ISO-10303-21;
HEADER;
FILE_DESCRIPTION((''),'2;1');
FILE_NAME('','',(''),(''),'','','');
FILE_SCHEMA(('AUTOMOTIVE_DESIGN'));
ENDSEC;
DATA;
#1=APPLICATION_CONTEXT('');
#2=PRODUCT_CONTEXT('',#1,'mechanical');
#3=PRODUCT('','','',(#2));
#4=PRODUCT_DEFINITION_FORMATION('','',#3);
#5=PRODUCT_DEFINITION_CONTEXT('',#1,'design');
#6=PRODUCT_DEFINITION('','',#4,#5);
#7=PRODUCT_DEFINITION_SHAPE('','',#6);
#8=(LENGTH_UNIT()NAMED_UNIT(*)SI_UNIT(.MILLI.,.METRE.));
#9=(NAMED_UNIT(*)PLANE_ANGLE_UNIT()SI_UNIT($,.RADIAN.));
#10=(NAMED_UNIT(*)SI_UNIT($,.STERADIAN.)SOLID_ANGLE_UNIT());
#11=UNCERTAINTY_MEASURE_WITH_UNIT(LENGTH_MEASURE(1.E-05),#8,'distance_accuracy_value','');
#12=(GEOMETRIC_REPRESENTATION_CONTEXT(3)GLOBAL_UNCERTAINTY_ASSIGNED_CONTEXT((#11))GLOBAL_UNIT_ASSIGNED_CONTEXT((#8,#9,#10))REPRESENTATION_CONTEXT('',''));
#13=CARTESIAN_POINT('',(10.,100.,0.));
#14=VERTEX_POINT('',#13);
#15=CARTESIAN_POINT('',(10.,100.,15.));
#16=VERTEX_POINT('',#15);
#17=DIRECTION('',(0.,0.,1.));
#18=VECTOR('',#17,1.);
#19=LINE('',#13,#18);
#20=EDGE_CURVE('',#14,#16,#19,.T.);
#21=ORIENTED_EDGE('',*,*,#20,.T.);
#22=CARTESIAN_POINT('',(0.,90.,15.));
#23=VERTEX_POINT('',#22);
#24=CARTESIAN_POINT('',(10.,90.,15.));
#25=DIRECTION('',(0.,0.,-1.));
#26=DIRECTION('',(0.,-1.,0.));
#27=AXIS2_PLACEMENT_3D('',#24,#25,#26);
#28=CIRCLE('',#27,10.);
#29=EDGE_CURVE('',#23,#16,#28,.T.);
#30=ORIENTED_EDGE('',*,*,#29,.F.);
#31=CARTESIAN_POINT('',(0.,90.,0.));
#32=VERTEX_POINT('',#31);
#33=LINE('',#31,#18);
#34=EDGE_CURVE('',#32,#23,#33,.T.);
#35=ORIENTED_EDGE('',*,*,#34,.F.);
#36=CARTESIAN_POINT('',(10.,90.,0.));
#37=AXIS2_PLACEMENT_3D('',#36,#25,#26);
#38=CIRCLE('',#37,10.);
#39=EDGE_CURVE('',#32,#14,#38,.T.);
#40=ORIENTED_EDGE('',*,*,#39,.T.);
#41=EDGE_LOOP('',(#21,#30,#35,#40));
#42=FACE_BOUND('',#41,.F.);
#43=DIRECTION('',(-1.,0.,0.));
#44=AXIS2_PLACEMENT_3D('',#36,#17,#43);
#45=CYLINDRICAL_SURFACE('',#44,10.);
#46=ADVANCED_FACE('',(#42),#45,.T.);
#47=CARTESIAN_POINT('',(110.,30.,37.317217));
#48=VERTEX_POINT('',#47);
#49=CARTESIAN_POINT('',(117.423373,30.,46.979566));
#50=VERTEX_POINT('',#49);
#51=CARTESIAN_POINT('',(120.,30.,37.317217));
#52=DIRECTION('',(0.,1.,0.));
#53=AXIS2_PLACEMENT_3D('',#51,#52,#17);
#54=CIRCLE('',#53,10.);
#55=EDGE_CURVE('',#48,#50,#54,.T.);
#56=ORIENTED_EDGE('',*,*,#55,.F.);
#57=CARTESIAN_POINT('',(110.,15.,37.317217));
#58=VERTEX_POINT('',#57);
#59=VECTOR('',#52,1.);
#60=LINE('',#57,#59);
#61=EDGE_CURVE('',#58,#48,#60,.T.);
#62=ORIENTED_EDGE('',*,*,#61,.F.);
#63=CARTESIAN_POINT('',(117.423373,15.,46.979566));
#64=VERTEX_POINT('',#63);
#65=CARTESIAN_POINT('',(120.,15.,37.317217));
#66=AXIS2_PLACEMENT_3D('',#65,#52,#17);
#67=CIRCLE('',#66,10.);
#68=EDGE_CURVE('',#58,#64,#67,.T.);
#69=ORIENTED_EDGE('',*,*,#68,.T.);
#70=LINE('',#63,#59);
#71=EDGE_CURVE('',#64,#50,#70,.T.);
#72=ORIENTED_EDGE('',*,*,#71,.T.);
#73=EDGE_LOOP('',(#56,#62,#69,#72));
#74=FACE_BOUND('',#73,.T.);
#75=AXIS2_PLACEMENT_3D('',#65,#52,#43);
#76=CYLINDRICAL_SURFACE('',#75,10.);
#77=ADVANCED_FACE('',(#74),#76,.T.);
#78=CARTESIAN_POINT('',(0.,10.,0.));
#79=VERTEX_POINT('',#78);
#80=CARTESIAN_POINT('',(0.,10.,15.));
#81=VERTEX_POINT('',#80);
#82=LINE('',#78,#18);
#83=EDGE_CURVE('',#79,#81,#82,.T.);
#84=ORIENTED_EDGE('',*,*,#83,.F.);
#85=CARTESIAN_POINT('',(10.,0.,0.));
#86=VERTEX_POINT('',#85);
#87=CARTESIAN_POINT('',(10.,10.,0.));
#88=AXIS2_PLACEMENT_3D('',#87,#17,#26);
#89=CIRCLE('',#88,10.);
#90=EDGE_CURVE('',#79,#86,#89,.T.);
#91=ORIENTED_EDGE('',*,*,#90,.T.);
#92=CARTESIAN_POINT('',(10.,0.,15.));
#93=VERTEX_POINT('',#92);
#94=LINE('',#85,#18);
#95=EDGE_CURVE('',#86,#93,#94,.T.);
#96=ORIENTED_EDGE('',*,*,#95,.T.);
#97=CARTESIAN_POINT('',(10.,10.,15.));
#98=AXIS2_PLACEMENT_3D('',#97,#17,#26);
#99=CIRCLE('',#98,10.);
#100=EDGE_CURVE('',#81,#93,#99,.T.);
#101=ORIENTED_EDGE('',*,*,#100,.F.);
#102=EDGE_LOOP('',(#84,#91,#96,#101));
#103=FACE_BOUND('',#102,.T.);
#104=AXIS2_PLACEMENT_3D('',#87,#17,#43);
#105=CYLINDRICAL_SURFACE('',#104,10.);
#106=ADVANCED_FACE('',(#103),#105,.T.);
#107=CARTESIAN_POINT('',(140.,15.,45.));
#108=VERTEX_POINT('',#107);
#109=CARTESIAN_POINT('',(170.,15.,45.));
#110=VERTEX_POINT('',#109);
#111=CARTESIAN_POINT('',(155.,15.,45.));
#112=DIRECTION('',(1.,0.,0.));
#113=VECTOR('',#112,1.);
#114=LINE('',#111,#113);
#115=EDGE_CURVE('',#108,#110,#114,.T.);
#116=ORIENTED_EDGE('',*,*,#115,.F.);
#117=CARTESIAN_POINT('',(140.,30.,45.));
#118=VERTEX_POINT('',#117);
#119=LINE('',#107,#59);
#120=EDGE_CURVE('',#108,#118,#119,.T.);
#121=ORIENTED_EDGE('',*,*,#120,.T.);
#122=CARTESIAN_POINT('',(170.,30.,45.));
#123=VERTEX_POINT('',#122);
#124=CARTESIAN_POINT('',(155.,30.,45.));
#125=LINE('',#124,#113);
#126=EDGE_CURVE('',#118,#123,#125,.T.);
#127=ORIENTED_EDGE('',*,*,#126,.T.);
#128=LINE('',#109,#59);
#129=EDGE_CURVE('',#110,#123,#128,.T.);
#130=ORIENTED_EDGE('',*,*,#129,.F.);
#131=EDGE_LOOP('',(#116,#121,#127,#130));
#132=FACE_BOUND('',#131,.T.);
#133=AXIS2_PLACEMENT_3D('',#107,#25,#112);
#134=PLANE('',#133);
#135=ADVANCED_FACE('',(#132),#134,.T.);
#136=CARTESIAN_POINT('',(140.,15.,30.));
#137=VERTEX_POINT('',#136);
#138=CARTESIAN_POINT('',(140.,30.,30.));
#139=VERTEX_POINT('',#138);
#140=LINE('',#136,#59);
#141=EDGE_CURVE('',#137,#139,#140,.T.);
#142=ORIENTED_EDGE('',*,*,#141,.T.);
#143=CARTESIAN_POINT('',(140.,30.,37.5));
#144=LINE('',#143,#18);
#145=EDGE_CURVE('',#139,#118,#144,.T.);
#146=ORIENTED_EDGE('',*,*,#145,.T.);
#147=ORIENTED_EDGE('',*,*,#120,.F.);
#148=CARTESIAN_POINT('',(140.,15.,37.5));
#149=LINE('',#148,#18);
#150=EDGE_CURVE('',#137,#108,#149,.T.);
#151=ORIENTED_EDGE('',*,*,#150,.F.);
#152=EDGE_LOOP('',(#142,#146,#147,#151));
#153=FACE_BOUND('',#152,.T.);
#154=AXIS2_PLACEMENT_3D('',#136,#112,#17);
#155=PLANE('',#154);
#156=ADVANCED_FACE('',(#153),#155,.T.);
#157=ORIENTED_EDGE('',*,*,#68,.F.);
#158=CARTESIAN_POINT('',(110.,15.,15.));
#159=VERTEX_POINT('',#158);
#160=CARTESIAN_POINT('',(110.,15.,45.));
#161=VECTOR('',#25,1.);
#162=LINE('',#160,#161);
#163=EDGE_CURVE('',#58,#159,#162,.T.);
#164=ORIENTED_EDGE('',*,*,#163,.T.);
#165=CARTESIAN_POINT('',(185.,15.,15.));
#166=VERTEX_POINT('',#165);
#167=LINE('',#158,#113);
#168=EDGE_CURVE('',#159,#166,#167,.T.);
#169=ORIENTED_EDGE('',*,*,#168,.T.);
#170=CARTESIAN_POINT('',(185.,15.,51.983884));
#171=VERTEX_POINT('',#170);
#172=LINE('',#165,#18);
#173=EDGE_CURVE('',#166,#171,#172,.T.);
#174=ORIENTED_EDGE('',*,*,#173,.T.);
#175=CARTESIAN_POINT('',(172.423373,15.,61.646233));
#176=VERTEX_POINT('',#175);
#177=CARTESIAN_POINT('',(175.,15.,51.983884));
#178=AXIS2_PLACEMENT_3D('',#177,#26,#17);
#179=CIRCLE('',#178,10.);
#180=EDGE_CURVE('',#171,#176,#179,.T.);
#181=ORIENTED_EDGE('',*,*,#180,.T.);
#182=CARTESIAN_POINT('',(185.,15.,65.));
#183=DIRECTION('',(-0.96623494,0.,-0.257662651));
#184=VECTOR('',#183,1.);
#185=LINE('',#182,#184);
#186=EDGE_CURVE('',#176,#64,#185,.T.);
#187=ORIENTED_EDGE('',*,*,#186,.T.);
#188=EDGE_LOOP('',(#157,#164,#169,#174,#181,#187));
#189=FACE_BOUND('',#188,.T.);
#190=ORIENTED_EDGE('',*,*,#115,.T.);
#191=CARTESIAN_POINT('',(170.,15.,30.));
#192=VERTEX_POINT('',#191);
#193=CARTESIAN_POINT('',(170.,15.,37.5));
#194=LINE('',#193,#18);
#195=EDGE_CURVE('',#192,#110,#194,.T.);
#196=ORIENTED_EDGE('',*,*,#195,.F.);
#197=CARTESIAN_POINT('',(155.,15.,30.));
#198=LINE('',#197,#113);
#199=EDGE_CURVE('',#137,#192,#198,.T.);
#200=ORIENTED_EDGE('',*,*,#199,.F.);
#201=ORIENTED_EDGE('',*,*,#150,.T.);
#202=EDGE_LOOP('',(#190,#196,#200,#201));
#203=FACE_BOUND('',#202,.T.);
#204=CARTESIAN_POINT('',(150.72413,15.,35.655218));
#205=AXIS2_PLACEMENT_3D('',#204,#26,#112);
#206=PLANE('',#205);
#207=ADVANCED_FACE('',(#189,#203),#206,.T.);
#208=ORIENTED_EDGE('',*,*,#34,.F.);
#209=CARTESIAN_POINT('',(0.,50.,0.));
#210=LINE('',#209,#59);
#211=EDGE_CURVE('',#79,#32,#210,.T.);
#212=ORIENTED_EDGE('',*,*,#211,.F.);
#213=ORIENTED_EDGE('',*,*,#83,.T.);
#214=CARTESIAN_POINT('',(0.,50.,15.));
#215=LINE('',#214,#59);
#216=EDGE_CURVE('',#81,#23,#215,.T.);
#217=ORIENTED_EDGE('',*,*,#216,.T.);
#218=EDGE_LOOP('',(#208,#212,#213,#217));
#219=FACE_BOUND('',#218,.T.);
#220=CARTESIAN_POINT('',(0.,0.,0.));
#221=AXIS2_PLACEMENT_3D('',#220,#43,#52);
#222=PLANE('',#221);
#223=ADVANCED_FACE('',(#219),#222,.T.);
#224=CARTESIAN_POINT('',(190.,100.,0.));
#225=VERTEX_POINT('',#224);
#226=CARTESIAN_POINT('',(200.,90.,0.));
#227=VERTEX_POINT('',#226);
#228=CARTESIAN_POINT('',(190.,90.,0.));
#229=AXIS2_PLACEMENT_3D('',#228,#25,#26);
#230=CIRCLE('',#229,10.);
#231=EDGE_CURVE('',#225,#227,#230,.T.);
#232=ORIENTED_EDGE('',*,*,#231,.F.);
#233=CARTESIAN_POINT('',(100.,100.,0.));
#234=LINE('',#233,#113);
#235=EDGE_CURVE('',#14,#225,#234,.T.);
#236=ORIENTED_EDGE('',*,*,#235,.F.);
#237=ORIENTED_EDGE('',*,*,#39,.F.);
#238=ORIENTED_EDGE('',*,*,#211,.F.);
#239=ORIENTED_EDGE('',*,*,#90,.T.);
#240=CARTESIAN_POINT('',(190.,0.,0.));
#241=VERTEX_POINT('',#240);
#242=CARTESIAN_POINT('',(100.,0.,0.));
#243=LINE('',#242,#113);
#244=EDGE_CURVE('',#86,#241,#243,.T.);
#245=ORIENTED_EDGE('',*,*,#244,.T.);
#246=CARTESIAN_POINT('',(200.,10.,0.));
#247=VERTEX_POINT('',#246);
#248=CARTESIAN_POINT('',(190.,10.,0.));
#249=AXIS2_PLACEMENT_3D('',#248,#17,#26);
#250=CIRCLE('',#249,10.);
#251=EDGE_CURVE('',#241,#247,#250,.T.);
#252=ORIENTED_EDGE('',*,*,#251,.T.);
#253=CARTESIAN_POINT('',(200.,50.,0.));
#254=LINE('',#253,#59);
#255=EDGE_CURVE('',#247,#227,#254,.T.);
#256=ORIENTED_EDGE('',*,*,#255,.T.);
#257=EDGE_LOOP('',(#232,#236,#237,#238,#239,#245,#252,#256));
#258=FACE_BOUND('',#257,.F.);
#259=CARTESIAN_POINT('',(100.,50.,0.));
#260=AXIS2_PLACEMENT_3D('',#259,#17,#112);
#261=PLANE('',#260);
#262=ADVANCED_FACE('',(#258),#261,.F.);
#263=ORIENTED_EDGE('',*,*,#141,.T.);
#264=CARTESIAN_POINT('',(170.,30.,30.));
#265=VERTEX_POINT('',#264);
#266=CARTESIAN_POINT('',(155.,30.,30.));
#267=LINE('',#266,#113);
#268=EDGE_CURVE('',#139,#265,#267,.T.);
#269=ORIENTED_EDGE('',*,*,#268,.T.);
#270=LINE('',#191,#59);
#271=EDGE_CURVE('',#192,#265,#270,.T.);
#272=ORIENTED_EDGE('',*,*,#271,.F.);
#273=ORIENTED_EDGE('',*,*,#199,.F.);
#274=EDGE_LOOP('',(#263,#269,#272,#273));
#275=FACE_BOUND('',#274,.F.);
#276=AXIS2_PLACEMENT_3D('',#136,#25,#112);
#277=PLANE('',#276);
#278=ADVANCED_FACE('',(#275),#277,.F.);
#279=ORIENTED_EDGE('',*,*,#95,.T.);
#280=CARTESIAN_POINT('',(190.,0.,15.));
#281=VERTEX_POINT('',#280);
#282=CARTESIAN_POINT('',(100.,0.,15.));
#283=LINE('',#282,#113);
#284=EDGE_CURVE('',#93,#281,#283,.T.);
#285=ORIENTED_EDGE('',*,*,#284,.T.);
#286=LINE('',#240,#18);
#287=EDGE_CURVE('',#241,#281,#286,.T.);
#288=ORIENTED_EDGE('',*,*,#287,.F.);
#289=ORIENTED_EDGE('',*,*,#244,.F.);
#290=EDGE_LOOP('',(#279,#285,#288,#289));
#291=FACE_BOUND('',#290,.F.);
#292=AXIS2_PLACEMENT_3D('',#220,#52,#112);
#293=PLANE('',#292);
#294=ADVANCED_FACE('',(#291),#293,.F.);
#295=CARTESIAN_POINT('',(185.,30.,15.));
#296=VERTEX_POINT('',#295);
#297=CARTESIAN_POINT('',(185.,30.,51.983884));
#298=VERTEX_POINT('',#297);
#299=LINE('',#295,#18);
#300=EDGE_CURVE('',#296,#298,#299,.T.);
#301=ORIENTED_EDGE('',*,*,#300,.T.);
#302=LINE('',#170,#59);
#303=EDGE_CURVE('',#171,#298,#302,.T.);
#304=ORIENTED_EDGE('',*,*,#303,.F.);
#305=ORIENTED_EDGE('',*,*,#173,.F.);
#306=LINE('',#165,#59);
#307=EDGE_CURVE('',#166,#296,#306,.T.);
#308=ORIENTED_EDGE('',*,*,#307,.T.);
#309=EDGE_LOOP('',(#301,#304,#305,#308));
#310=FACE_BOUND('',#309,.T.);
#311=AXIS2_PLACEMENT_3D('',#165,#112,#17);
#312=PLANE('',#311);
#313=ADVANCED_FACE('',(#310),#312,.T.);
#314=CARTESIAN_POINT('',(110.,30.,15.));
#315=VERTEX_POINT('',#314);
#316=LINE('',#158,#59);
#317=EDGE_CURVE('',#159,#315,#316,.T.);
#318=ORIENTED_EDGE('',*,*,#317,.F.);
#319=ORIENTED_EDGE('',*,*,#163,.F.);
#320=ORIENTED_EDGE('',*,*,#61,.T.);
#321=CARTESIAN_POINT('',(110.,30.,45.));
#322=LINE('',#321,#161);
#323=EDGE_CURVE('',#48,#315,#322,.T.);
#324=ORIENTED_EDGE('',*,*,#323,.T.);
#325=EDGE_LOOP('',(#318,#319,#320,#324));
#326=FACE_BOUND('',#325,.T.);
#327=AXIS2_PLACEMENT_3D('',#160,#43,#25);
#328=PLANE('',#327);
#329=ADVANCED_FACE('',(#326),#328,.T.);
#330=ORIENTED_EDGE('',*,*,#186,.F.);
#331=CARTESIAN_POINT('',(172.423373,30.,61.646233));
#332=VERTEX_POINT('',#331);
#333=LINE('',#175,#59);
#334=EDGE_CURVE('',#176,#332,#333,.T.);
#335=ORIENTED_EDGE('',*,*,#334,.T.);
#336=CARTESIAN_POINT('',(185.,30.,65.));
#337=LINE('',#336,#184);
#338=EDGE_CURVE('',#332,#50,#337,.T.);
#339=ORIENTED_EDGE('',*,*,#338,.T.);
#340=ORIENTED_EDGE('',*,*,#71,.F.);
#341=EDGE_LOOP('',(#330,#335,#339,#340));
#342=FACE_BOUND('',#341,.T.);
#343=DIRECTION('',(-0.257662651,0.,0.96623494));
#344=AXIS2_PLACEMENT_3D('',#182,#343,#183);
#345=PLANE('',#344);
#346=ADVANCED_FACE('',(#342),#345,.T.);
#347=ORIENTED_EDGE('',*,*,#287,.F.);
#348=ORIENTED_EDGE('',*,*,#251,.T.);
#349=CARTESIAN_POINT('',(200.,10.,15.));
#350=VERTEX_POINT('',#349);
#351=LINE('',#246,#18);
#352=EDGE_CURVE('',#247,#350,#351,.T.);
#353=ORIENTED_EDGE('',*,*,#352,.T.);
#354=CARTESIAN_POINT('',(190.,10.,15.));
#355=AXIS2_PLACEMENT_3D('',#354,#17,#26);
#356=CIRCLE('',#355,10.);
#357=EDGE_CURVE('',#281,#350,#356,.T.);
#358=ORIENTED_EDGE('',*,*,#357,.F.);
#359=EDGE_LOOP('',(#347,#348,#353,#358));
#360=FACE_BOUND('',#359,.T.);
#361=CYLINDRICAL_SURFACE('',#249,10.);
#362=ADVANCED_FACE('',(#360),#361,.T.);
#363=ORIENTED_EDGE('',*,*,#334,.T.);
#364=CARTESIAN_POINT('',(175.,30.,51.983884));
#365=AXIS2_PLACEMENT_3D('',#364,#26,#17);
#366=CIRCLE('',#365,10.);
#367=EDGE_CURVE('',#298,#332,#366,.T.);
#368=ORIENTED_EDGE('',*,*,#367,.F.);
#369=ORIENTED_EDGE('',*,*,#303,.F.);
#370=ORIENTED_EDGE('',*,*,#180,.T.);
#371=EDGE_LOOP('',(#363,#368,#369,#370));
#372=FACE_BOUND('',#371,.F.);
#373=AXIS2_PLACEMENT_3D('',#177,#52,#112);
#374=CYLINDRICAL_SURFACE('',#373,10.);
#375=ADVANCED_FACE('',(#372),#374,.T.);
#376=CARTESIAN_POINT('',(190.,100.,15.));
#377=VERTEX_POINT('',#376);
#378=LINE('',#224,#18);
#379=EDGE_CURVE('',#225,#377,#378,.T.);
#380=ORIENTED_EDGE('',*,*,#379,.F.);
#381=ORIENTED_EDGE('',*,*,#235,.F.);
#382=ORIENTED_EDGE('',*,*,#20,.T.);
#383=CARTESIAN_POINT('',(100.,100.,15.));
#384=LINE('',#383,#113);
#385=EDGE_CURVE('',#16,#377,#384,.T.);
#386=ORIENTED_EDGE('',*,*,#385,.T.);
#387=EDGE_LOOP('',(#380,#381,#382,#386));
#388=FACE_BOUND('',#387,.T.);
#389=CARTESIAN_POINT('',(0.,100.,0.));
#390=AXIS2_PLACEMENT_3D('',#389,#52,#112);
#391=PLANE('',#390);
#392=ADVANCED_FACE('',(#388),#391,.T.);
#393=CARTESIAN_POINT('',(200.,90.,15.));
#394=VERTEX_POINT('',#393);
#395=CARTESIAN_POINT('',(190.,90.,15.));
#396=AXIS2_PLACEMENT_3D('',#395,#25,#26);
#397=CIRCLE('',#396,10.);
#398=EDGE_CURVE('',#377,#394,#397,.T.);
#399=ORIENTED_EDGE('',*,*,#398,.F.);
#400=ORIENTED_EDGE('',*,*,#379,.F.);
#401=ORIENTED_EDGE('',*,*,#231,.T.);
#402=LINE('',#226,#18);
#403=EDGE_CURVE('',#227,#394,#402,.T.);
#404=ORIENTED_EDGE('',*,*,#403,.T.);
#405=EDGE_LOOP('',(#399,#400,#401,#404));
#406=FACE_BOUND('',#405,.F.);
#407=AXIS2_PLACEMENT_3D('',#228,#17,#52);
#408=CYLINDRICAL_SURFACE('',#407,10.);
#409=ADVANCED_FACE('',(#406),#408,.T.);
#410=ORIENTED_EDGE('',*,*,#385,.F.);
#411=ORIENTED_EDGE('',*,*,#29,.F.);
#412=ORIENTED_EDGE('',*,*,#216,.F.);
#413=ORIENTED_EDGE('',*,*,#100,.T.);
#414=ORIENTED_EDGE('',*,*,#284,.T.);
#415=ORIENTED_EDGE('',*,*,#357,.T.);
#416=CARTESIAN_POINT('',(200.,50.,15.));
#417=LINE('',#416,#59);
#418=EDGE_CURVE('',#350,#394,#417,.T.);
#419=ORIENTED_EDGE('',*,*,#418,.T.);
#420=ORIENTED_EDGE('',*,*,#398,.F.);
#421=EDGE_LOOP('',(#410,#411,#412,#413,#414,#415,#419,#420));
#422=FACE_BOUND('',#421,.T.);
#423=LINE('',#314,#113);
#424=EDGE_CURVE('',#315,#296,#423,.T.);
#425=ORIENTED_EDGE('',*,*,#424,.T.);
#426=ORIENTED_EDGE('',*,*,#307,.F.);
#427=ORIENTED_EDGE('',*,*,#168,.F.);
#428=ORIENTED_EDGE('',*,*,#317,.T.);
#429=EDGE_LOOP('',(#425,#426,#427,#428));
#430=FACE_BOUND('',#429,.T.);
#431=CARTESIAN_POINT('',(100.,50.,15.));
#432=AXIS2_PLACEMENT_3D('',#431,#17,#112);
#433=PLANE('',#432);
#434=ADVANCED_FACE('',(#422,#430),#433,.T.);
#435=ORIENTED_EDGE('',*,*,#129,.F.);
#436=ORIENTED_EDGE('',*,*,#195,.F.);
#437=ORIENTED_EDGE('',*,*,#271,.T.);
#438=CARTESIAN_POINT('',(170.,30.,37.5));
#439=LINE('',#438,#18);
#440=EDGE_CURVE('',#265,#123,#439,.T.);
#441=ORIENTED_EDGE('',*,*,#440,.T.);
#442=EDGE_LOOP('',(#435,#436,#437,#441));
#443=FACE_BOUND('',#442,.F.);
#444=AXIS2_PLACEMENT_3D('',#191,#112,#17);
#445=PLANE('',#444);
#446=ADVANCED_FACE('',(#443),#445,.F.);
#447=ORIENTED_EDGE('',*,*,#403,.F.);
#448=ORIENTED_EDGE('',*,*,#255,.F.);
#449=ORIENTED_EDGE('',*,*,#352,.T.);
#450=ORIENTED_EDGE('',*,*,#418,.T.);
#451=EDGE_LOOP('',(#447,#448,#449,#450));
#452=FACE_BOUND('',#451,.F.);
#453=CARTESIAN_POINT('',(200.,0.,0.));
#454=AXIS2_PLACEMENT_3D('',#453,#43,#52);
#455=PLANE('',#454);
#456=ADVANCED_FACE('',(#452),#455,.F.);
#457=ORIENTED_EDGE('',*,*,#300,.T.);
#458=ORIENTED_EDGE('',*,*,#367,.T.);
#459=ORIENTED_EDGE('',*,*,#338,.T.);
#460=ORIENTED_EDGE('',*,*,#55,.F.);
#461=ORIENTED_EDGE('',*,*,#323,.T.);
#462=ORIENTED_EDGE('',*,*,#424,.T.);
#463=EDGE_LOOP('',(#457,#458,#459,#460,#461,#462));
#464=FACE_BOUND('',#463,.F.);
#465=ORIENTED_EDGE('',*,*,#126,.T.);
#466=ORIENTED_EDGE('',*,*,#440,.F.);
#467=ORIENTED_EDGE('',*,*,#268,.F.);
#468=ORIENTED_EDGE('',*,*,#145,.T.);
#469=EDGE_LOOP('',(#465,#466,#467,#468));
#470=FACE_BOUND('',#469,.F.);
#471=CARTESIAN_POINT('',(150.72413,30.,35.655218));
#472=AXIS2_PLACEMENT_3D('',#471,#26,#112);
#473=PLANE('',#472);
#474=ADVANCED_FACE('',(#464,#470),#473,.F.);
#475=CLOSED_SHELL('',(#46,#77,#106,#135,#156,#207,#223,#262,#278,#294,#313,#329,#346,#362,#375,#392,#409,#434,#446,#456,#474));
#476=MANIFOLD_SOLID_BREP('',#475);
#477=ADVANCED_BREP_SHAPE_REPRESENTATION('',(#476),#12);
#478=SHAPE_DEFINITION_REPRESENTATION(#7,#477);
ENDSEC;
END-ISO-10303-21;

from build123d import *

# Parameters (mm, degrees)
F0_W     = 200
F0_H     = 100
F1_DEPTH = 15
F3_W     = 30
F3_H     = 15
F4_DEPTH = 15
F5_R     = 10


with BuildPart() as f1:
    # F0 (on Top) → F1 (new body)
    with BuildSketch(Plane.XY):
        with Locations((100, 50)):
            Rectangle(F0_W, F0_H)
    extrude(amount=F1_DEPTH)

    # F3 (on offset) → F4 (join)
    with BuildSketch(Plane.XZ.offset(-15)):
        Polygon((110, 15), (185, 15), (185, 65), (110, 45), align=None)
        with Locations((155, 37.5)):
            Rectangle(F3_W, F3_H, mode=Mode.SUBTRACT)
    extrude(amount=-F4_DEPTH)

    # F5
    f5_edges = [f1.edges().sort_by_distance(p)[0] for p in [
        (0, 0, 7.5),
        (0, 100, 7.5),
        (200, 0, 7.5),
        (110, 22.5, 45),
        (185, 22.5, 65),
        (200, 100, 7.5),
    ]]
    fillet(f5_edges, radius=F5_R)


solid = f1.part
